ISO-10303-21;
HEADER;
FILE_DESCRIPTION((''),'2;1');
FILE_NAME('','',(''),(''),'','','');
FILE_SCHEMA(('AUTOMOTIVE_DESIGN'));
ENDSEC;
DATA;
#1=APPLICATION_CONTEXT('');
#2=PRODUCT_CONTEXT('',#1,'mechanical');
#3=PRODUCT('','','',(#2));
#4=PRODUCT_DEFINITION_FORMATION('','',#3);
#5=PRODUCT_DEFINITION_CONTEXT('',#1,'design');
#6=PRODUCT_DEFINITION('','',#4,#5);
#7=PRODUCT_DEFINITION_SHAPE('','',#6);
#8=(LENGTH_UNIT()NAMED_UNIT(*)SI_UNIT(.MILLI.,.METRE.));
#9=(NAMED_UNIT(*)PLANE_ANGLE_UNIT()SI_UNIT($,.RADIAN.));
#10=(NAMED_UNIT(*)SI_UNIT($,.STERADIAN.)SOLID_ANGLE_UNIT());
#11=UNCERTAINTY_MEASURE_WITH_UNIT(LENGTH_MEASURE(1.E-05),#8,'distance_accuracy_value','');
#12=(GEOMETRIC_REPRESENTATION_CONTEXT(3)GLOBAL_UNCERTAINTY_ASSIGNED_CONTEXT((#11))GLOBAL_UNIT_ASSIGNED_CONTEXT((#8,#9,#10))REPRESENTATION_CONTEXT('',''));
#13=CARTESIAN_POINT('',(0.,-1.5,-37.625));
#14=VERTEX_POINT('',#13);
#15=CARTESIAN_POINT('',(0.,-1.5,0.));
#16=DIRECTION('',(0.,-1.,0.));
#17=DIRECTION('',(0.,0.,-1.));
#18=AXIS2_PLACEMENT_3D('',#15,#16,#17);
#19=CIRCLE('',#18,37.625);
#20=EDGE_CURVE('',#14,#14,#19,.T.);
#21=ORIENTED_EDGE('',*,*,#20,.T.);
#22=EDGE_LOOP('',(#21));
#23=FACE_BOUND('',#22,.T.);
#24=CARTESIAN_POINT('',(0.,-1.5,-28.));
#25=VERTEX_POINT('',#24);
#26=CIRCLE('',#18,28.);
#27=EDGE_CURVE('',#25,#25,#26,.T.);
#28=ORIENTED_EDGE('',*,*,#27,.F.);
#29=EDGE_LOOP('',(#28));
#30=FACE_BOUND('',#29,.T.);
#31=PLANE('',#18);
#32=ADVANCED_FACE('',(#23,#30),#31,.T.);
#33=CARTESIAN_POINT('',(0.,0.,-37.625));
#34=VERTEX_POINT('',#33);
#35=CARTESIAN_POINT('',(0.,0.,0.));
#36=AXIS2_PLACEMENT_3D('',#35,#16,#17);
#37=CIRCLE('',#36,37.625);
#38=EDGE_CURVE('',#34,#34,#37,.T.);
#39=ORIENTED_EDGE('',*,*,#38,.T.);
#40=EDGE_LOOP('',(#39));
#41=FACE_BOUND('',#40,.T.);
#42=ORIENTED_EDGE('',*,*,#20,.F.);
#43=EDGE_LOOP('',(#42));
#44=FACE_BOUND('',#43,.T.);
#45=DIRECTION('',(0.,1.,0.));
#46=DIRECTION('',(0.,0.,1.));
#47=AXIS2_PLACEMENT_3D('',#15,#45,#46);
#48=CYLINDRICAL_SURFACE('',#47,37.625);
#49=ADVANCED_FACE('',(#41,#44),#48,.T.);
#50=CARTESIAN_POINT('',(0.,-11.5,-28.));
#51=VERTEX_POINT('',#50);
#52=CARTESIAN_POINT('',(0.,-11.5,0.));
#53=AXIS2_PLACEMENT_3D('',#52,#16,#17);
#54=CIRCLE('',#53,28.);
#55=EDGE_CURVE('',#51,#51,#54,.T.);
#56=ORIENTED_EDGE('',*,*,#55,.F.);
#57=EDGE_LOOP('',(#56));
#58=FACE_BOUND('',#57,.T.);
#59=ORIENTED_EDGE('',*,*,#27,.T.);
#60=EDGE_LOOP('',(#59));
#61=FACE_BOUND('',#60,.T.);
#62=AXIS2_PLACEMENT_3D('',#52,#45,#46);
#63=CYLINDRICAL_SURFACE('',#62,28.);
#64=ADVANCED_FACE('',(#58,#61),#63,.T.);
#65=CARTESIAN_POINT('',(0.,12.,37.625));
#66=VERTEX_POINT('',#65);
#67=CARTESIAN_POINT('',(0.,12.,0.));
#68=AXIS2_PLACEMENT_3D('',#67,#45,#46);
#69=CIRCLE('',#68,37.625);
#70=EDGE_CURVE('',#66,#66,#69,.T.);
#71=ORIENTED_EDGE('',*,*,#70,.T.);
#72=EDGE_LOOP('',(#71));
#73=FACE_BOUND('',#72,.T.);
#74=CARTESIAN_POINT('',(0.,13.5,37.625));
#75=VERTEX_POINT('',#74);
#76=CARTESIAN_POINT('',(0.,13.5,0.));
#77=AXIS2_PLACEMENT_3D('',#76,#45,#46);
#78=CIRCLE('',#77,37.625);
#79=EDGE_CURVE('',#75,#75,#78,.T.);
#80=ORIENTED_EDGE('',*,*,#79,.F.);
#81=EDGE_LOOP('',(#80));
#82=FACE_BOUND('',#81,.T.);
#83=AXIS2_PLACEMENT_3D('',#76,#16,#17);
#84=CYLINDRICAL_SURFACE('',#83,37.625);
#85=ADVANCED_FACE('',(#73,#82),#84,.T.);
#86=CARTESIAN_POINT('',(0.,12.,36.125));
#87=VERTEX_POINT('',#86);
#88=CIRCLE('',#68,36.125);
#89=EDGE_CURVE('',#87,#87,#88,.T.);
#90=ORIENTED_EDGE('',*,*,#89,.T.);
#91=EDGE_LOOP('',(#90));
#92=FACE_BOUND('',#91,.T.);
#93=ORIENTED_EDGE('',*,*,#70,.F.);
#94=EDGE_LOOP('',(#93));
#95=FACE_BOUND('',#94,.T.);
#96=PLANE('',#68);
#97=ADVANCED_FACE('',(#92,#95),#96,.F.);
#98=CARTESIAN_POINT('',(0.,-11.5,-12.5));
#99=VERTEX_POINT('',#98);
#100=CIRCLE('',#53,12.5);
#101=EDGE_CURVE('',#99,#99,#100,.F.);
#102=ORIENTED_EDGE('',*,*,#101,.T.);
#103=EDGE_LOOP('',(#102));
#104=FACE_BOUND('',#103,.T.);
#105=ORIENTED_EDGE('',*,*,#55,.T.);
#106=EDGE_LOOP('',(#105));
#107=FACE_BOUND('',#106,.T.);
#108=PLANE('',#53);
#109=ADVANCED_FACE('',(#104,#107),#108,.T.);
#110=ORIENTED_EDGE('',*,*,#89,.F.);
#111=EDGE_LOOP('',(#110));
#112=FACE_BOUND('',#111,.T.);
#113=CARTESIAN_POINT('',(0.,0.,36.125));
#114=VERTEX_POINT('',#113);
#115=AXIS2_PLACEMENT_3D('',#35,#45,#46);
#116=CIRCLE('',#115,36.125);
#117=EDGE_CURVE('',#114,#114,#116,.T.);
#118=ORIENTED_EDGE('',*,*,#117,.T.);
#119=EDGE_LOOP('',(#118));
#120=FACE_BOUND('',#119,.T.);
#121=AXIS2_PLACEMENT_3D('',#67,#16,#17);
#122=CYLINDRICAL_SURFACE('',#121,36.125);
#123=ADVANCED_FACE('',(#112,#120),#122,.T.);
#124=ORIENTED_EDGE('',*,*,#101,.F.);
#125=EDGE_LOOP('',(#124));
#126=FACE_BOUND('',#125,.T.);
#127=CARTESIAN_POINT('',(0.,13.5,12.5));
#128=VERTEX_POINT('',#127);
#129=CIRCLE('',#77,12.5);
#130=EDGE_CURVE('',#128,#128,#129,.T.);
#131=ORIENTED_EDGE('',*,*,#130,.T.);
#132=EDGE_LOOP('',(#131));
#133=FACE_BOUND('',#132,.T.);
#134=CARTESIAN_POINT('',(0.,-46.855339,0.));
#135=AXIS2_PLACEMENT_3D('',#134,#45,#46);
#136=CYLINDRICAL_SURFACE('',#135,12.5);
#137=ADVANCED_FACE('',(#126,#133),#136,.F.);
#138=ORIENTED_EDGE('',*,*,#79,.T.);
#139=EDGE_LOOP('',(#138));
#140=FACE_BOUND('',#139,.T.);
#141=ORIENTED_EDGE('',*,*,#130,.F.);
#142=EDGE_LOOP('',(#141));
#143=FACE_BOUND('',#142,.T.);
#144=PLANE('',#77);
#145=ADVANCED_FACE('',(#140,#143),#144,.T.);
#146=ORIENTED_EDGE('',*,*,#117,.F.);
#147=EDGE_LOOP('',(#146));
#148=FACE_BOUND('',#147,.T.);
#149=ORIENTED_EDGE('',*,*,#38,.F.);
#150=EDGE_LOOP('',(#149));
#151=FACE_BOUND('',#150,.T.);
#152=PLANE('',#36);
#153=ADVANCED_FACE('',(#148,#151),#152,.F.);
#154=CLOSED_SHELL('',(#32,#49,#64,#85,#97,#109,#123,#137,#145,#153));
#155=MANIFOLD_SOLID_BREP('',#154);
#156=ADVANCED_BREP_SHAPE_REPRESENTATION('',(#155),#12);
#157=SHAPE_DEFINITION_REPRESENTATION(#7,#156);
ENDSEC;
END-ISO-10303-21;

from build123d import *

# Parameters (mm, degrees)
SKETCH1_R           = 36.125
BOSS_EXTRUDE1_DEPTH = 12
SKETCH3_R           = 37.625
BOSS_EXTRUDE3_DEPTH = 1.5
SKETCH4_R           = 37.625
BOSS_EXTRUDE4_DEPTH = 1.5
SKETCH5_R           = 28
BOSS_EXTRUDE5_DEPTH = 10
SKETCH6_R           = 12.5
CUT_EXTRUDE1_DEPTH  = 25


with BuildPart() as part:
    # Sketch1 → Boss-Extrude1 (new body)
    with BuildSketch(Plane(origin=(0, 0, 0), x_dir=(1, 0, 0), z_dir=(0, 1, 0))):
        Circle(SKETCH1_R)
    extrude(amount=BOSS_EXTRUDE1_DEPTH)

    # Sketch3 → Boss-Extrude3 (add)
    with BuildSketch(Plane(origin=(0, 12, 0), x_dir=(1, 0, 0), z_dir=(0, 1, 0))):
        Circle(SKETCH3_R)
    extrude(amount=BOSS_EXTRUDE3_DEPTH)

    # Sketch4 → Boss-Extrude4 (add)
    with BuildSketch(Plane.XZ):
        Circle(SKETCH4_R)
    extrude(amount=BOSS_EXTRUDE4_DEPTH)

    # Sketch5 → Boss-Extrude5 (add)
    with BuildSketch(Plane.XZ.offset(1.5)):
        Circle(SKETCH5_R)
    extrude(amount=BOSS_EXTRUDE5_DEPTH)

    # Sketch6 → Cut-Extrude1 (cut)
    with BuildSketch(Plane(origin=(0, 13.5, 0), x_dir=(1, 0, 0), z_dir=(0, 1, 0))):
        Circle(SKETCH6_R)
    extrude(amount=-CUT_EXTRUDE1_DEPTH, mode=Mode.SUBTRACT)


solid = part.part
